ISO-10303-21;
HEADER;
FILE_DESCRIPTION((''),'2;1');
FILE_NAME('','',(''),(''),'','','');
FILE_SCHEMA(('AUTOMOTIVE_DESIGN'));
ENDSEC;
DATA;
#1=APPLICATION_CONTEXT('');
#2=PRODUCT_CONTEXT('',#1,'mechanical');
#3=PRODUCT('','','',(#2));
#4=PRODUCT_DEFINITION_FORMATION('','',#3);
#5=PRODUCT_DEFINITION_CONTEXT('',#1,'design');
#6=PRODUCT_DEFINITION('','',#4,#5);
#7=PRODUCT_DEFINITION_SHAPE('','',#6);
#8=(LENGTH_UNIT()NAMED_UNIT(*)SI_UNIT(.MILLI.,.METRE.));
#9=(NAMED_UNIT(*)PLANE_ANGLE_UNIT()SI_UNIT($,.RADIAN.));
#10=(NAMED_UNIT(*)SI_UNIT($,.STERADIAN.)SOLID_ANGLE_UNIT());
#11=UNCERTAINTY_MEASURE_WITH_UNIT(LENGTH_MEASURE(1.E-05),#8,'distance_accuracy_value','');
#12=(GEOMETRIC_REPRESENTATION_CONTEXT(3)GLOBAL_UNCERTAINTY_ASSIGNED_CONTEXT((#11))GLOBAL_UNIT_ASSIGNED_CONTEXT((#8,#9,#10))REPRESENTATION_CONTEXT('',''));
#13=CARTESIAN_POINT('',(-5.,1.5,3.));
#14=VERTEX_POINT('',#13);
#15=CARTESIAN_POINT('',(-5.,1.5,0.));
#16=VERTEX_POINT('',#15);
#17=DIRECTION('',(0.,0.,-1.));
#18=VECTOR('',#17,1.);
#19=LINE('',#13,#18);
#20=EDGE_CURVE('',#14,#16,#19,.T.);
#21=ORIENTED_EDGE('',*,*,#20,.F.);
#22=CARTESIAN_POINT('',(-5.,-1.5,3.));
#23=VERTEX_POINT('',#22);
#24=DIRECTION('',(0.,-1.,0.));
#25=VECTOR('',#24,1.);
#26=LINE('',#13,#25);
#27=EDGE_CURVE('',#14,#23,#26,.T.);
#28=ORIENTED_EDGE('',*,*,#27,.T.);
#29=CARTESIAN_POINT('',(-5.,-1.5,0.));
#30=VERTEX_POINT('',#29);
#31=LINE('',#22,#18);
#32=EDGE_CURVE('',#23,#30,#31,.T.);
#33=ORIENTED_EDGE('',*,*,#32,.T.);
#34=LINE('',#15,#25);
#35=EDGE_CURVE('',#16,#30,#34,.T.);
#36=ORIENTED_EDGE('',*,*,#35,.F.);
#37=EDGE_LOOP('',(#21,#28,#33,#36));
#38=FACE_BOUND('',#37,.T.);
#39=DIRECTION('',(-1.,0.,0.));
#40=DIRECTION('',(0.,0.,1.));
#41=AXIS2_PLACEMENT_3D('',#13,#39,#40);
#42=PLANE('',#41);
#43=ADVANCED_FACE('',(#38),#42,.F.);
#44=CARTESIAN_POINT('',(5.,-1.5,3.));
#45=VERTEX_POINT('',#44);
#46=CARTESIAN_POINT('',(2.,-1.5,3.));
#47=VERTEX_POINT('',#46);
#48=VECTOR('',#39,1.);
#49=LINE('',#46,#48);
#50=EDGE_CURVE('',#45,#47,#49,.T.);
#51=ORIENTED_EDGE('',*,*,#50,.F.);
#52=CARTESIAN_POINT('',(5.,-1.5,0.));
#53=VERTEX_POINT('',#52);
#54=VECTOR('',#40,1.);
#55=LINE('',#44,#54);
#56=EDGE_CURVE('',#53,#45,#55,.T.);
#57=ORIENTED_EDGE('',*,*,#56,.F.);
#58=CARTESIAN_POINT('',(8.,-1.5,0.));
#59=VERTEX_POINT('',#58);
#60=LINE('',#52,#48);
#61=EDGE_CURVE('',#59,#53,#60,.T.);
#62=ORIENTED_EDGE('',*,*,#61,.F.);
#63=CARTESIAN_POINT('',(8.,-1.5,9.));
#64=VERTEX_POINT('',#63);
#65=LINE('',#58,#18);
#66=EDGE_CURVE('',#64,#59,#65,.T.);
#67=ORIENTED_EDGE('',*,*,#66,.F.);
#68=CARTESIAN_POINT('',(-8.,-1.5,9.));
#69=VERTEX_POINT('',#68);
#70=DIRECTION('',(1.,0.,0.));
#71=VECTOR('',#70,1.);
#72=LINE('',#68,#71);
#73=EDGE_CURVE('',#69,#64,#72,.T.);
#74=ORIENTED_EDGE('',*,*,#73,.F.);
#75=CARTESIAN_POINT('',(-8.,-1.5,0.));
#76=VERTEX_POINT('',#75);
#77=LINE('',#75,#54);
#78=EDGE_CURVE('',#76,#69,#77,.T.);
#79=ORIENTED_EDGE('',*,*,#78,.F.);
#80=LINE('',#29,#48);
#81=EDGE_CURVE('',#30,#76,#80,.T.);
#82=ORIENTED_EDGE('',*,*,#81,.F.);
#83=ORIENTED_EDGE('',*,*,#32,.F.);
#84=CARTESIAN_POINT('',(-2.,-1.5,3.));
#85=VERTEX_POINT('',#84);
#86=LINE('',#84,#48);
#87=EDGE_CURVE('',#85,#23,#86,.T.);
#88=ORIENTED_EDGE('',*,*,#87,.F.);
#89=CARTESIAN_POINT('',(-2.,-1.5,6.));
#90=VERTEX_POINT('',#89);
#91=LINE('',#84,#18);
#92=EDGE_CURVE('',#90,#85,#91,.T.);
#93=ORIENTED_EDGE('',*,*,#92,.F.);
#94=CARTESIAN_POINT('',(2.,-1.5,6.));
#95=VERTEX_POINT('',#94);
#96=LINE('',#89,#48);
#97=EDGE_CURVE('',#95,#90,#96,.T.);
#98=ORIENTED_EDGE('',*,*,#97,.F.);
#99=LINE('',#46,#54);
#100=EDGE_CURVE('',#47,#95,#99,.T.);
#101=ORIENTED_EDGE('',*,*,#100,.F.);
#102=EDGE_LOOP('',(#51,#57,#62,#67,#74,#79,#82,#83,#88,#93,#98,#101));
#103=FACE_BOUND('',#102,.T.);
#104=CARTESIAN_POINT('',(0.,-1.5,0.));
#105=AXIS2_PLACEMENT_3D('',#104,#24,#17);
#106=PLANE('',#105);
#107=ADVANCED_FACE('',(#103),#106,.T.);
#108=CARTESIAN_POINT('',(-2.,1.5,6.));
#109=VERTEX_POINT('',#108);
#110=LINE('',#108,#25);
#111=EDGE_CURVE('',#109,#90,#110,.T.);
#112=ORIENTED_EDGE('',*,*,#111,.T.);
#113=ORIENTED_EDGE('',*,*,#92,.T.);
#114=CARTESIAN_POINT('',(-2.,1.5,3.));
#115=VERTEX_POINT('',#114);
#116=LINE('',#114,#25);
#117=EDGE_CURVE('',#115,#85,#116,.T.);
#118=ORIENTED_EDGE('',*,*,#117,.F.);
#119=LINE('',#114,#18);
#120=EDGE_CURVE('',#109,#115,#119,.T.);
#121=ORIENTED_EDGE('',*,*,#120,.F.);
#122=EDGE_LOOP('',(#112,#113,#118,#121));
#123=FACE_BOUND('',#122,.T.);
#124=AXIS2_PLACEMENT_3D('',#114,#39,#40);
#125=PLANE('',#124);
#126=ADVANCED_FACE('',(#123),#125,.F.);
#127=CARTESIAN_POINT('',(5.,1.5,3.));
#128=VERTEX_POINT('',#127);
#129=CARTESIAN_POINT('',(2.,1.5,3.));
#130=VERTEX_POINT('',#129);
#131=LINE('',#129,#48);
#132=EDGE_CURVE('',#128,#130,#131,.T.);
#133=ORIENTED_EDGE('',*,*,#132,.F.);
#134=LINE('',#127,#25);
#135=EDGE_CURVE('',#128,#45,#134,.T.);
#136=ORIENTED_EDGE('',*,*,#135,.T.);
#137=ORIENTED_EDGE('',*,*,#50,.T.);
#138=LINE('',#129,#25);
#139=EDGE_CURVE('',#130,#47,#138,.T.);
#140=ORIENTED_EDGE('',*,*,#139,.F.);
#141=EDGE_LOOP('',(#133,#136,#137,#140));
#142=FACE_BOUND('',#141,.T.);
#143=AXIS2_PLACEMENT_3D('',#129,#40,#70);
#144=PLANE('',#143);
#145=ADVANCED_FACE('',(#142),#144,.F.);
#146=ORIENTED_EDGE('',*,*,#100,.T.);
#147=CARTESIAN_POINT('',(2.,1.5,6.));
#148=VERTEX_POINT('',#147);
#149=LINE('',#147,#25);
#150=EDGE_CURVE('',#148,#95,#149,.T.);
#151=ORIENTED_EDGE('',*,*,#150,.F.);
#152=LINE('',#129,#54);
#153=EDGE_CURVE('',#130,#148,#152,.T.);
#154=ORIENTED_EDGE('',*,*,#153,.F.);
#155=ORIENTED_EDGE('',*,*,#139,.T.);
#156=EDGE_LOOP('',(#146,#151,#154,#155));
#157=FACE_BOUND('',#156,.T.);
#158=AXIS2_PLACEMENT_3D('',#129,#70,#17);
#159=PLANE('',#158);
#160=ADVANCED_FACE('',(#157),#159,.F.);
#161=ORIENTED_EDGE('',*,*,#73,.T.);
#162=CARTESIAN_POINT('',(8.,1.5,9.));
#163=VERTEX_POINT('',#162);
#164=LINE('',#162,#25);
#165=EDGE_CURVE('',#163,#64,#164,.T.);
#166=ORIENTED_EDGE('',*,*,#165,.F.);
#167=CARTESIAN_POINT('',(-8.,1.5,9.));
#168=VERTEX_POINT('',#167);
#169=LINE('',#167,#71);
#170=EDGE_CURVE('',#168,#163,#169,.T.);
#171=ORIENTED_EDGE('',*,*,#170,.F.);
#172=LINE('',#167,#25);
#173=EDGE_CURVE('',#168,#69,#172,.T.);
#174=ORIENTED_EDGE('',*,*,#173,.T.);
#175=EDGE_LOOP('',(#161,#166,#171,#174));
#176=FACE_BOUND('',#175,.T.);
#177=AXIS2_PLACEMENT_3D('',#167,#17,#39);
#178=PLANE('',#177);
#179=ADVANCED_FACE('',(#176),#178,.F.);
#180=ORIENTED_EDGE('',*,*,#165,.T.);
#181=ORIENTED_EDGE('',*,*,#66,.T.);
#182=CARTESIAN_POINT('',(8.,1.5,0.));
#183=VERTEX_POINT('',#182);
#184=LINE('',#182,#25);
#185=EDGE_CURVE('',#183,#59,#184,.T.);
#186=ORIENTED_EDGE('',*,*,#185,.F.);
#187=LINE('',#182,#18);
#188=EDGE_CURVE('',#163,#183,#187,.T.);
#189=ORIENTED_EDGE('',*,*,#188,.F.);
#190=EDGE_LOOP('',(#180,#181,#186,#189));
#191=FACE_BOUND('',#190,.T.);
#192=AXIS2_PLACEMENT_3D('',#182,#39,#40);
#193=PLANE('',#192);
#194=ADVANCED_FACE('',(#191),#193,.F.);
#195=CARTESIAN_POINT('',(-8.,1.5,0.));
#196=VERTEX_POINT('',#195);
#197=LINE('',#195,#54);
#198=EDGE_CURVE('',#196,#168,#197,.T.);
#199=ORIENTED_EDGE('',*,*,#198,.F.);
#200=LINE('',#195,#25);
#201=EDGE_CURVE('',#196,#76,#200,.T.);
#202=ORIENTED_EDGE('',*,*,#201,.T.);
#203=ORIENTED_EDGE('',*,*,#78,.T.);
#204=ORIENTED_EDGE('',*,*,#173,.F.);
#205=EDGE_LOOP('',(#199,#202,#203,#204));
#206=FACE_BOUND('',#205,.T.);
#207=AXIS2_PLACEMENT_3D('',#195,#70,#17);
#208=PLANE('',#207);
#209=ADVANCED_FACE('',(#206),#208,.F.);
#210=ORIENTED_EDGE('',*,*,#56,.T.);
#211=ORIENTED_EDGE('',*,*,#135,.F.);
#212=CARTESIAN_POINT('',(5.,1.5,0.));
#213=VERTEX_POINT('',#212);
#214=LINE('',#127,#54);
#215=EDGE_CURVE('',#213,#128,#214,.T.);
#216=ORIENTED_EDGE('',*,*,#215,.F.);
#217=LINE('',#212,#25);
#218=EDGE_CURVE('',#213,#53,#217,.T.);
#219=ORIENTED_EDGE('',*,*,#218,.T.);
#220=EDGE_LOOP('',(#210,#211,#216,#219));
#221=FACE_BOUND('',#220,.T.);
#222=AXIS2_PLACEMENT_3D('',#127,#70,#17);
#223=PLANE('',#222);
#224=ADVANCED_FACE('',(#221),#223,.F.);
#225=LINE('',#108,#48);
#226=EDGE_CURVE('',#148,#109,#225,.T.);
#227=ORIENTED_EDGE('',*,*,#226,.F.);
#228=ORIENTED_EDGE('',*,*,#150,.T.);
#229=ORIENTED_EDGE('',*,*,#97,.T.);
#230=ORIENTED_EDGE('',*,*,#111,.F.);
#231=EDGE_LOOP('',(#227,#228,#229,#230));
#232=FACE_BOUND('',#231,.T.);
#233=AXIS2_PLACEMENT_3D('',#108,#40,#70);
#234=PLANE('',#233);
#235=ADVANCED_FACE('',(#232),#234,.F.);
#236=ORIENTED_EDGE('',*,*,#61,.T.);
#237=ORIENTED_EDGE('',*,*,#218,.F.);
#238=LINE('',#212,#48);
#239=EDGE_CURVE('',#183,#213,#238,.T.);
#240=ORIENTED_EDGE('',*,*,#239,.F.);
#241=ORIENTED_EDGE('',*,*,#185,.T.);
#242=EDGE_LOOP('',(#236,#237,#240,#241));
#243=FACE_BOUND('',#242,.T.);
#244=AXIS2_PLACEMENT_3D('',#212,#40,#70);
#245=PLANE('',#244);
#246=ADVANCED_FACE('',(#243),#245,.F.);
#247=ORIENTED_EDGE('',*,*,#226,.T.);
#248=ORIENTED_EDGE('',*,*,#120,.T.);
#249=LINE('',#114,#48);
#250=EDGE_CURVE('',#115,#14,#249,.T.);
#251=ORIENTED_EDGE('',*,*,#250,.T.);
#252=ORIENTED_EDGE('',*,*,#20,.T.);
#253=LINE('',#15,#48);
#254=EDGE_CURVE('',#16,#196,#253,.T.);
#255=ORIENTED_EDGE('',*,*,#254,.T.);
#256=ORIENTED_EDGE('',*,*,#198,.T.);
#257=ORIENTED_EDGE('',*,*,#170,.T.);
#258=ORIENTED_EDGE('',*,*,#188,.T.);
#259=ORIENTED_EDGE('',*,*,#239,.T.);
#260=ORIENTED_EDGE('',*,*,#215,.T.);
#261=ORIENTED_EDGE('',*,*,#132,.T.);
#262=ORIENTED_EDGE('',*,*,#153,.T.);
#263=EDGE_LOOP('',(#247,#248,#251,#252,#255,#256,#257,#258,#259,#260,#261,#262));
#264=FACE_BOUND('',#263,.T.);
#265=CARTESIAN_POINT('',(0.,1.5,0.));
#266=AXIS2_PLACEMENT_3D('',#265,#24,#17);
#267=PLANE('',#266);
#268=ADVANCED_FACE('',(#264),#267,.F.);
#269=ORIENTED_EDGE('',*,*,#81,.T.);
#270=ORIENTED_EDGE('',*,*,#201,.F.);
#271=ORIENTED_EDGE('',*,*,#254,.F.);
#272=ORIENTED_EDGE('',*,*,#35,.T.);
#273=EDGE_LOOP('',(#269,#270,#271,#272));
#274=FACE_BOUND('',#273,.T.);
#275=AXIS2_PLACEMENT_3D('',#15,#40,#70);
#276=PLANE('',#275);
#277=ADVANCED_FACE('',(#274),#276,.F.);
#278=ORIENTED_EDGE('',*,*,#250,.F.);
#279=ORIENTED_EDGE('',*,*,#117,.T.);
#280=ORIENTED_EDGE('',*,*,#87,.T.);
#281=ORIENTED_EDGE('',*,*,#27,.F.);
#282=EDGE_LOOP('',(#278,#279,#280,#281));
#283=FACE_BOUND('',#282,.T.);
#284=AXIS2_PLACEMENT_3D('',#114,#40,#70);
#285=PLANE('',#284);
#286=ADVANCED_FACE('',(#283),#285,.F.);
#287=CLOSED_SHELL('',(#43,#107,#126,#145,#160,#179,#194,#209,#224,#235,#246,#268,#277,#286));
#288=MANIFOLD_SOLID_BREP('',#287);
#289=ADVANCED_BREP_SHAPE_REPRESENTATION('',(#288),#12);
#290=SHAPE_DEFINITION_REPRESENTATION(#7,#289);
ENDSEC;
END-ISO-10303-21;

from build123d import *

# Parameters (mm, degrees)
EXTRUDE_2_DEPTH = 1.5


with BuildPart() as part:
    # 草图1 → 凸台-拉伸2 (new, symmetric)
    with BuildSketch(Plane(origin=(0, 0, 0), x_dir=(1, 0, 0), z_dir=(0, 1, 0))):
        Polygon((8, 0), (8, -9), (-8, -9), (-8, 0), (-5, 0), (-5, -3), (-2, -3), (-2, -6), (2, -6), (2, -3), (5, -3), (5, 0), align=None)
    extrude(amount=EXTRUDE_2_DEPTH, both=True)


solid = part.part
